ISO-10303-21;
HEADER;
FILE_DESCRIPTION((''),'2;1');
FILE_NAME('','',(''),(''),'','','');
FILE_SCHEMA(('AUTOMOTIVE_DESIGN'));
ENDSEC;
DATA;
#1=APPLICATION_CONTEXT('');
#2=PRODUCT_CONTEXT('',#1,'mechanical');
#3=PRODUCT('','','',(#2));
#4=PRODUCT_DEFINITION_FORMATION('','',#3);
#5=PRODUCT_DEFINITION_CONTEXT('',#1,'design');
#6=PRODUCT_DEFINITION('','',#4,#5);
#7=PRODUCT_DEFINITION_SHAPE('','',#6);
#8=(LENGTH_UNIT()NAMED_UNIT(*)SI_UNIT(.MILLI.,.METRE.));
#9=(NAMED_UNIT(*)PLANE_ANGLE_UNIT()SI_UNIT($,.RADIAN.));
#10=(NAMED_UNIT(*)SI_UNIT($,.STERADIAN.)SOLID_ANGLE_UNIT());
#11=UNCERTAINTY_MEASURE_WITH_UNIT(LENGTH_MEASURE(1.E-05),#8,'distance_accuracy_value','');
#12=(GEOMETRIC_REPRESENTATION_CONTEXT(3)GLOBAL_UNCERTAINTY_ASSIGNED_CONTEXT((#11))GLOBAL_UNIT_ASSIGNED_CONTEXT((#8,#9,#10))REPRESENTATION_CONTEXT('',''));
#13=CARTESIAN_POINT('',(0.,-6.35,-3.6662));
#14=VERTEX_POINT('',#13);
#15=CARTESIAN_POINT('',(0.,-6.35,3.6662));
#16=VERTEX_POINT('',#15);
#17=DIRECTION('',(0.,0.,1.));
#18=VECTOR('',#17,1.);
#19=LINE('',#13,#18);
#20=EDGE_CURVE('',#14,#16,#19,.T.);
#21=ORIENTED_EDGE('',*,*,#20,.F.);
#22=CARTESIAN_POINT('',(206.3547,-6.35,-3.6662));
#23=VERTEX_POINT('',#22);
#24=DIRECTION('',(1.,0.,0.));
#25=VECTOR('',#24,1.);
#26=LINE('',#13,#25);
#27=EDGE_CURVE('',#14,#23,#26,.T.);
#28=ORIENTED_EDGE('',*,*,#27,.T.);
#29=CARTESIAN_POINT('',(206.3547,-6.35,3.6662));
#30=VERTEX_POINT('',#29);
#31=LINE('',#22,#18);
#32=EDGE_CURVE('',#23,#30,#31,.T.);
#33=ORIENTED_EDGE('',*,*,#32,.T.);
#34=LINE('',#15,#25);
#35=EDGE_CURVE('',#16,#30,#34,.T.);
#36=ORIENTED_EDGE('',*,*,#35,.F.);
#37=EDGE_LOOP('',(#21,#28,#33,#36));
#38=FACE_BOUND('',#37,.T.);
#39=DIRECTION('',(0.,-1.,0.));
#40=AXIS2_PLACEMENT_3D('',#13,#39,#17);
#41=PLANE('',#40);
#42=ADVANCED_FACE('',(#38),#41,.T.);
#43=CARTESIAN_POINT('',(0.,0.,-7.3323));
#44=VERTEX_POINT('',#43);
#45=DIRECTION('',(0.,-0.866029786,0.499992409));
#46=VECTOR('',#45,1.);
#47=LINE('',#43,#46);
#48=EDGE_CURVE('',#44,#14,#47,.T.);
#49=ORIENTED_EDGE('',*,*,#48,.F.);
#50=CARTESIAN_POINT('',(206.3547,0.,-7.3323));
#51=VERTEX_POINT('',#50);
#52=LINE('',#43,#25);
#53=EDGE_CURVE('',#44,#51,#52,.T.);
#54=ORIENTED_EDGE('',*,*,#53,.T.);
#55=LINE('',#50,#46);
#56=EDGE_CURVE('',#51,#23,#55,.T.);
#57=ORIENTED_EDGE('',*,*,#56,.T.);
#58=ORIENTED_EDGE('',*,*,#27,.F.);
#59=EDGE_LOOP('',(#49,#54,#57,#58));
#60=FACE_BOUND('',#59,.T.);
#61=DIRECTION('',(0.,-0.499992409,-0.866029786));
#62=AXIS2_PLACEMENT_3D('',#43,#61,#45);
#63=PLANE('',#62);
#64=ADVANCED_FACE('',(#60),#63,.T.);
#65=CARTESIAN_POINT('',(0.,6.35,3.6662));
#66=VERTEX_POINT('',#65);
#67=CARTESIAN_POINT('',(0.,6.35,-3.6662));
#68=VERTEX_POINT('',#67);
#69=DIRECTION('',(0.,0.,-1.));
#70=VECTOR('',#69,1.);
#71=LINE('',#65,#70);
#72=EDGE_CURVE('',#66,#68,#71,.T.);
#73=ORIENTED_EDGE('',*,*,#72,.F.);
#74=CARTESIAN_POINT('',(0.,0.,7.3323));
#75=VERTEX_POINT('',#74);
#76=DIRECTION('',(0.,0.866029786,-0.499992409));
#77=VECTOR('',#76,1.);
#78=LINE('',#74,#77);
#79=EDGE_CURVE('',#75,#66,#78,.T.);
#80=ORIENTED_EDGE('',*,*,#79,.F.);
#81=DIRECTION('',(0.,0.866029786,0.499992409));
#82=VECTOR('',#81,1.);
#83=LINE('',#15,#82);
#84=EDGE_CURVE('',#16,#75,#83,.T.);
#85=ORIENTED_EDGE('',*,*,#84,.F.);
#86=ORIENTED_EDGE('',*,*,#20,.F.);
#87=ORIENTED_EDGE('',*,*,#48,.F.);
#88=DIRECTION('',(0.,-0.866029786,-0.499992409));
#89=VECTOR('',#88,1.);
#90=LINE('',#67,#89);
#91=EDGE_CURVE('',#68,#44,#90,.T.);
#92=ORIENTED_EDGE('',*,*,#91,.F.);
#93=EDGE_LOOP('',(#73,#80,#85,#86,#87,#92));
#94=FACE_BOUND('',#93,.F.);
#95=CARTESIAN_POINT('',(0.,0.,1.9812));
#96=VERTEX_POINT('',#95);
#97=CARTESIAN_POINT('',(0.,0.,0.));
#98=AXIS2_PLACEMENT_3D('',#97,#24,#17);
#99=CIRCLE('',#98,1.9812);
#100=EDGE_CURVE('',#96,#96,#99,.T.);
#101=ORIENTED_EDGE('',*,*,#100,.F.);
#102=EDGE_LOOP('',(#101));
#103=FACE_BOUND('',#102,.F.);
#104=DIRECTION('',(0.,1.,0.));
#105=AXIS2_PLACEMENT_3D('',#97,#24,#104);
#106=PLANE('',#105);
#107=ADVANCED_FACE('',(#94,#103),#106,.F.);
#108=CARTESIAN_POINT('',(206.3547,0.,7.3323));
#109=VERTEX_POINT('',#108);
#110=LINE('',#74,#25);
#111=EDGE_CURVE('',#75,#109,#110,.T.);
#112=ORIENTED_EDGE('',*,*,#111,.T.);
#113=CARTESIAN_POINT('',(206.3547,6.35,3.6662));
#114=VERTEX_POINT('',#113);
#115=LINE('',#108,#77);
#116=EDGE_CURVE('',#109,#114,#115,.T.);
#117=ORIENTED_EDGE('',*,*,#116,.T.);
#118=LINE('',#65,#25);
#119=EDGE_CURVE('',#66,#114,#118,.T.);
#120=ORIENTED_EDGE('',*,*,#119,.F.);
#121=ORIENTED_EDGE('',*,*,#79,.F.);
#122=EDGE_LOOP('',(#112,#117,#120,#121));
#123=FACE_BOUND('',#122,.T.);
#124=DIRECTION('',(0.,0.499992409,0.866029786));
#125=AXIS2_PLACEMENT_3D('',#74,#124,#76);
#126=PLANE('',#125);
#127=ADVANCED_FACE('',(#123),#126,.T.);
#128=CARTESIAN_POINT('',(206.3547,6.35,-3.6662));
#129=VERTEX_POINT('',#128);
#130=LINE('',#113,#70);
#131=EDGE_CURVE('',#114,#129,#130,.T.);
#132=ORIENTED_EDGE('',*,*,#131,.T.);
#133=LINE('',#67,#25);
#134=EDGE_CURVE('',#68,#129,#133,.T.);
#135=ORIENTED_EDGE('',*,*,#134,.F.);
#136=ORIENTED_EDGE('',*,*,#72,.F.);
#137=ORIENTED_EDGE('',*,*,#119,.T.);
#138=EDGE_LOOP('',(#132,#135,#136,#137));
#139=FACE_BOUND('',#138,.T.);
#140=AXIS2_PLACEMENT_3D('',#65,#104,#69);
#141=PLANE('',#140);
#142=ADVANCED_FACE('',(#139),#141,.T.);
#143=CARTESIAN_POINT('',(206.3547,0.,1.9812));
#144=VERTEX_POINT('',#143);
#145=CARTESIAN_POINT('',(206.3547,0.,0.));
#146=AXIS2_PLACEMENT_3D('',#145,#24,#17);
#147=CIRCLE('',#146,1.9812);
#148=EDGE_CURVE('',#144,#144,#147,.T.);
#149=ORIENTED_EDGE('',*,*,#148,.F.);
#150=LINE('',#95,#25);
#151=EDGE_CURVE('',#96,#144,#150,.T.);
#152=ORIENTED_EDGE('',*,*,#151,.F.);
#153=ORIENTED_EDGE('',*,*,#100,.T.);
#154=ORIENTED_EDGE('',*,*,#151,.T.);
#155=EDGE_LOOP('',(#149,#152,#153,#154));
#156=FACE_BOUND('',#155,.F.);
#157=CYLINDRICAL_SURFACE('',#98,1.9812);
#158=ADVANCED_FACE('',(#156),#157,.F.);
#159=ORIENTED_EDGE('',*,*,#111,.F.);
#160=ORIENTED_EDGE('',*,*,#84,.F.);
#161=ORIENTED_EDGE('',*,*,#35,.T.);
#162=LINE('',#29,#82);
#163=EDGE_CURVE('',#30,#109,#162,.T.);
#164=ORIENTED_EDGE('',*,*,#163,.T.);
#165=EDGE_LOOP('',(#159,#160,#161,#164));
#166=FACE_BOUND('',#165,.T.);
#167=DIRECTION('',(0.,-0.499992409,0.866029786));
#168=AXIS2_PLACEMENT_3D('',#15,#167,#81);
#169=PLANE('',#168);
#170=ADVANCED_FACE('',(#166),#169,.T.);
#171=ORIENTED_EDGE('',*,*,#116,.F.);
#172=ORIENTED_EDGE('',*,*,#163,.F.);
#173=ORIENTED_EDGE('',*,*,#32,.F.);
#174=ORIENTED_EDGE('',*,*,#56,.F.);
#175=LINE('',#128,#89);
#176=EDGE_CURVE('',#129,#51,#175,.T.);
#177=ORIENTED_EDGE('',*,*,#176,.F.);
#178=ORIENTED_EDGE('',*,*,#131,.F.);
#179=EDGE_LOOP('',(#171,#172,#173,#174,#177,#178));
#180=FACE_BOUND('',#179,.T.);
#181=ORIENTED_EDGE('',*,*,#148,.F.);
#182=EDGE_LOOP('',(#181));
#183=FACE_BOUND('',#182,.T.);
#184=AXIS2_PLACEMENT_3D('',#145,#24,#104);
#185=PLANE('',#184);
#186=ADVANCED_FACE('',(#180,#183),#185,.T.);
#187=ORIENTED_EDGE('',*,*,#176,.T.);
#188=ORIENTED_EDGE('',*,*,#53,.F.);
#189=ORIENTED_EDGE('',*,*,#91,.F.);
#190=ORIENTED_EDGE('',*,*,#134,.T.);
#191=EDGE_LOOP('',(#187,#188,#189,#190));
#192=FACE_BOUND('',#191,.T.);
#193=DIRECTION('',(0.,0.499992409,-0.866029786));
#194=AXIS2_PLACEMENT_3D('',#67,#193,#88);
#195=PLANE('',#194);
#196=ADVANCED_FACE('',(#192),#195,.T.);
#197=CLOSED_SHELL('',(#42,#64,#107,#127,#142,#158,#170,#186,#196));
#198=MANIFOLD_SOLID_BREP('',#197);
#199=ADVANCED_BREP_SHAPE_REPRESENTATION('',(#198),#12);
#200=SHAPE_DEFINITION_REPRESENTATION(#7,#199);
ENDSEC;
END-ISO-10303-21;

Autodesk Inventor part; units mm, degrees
ref_plane "YZ Plane" through (0, 0, 0) normal (1, 0, 0) x (0, 1, 0)
ref_plane "XZ Plane" through (0, 0, 0) normal (0, 1, 0) x (-1, 0, 0)
ref_plane "XY Plane" through (0, 0, 0) normal (0, 0, 1) x (1, 0, 0)
sketch "Sketch1" plane through (0, 0, 0) normal (1, 0, 0) x (0, 1, 0)
  line L0 (-6.35, -3.6662) -> (-6.35, 3.6662)
  line L1 (-6.35, 3.6662) -> (0, 7.3323)
  line L2 (0, 7.3323) -> (6.35, 3.6662)
  line L3 (6.35, 3.6662) -> (6.35, -3.6662)
  line L4 (6.35, -3.6662) -> (0, -7.3323)
  line L5 (0, -7.3323) -> (-6.35, -3.6662)
  point P0 (0, 0)
  point P1 (0, 0)
  dimension "d0" = 12.7
extrude "Extrusion1" add sketch "Sketch1" along normal blind 206.3547
sketch "Sketch2" plane through (0, 0, 0) normal (-1, 0, 0) x (0, 0, 1)
  point P0 (0, 0)
  point P1 (0, 0)
hole "Hole1" at (0, 0, 0) direction (1, 0, 0) diameter 3.9624 end through all thread size "10-32 UNF" class "2B" standard "ANSI Unified Screw Threads"
properties part number "STOCK,SHAFT,HEX,HOOD,WHEELS" material "Aluminum 6061"
